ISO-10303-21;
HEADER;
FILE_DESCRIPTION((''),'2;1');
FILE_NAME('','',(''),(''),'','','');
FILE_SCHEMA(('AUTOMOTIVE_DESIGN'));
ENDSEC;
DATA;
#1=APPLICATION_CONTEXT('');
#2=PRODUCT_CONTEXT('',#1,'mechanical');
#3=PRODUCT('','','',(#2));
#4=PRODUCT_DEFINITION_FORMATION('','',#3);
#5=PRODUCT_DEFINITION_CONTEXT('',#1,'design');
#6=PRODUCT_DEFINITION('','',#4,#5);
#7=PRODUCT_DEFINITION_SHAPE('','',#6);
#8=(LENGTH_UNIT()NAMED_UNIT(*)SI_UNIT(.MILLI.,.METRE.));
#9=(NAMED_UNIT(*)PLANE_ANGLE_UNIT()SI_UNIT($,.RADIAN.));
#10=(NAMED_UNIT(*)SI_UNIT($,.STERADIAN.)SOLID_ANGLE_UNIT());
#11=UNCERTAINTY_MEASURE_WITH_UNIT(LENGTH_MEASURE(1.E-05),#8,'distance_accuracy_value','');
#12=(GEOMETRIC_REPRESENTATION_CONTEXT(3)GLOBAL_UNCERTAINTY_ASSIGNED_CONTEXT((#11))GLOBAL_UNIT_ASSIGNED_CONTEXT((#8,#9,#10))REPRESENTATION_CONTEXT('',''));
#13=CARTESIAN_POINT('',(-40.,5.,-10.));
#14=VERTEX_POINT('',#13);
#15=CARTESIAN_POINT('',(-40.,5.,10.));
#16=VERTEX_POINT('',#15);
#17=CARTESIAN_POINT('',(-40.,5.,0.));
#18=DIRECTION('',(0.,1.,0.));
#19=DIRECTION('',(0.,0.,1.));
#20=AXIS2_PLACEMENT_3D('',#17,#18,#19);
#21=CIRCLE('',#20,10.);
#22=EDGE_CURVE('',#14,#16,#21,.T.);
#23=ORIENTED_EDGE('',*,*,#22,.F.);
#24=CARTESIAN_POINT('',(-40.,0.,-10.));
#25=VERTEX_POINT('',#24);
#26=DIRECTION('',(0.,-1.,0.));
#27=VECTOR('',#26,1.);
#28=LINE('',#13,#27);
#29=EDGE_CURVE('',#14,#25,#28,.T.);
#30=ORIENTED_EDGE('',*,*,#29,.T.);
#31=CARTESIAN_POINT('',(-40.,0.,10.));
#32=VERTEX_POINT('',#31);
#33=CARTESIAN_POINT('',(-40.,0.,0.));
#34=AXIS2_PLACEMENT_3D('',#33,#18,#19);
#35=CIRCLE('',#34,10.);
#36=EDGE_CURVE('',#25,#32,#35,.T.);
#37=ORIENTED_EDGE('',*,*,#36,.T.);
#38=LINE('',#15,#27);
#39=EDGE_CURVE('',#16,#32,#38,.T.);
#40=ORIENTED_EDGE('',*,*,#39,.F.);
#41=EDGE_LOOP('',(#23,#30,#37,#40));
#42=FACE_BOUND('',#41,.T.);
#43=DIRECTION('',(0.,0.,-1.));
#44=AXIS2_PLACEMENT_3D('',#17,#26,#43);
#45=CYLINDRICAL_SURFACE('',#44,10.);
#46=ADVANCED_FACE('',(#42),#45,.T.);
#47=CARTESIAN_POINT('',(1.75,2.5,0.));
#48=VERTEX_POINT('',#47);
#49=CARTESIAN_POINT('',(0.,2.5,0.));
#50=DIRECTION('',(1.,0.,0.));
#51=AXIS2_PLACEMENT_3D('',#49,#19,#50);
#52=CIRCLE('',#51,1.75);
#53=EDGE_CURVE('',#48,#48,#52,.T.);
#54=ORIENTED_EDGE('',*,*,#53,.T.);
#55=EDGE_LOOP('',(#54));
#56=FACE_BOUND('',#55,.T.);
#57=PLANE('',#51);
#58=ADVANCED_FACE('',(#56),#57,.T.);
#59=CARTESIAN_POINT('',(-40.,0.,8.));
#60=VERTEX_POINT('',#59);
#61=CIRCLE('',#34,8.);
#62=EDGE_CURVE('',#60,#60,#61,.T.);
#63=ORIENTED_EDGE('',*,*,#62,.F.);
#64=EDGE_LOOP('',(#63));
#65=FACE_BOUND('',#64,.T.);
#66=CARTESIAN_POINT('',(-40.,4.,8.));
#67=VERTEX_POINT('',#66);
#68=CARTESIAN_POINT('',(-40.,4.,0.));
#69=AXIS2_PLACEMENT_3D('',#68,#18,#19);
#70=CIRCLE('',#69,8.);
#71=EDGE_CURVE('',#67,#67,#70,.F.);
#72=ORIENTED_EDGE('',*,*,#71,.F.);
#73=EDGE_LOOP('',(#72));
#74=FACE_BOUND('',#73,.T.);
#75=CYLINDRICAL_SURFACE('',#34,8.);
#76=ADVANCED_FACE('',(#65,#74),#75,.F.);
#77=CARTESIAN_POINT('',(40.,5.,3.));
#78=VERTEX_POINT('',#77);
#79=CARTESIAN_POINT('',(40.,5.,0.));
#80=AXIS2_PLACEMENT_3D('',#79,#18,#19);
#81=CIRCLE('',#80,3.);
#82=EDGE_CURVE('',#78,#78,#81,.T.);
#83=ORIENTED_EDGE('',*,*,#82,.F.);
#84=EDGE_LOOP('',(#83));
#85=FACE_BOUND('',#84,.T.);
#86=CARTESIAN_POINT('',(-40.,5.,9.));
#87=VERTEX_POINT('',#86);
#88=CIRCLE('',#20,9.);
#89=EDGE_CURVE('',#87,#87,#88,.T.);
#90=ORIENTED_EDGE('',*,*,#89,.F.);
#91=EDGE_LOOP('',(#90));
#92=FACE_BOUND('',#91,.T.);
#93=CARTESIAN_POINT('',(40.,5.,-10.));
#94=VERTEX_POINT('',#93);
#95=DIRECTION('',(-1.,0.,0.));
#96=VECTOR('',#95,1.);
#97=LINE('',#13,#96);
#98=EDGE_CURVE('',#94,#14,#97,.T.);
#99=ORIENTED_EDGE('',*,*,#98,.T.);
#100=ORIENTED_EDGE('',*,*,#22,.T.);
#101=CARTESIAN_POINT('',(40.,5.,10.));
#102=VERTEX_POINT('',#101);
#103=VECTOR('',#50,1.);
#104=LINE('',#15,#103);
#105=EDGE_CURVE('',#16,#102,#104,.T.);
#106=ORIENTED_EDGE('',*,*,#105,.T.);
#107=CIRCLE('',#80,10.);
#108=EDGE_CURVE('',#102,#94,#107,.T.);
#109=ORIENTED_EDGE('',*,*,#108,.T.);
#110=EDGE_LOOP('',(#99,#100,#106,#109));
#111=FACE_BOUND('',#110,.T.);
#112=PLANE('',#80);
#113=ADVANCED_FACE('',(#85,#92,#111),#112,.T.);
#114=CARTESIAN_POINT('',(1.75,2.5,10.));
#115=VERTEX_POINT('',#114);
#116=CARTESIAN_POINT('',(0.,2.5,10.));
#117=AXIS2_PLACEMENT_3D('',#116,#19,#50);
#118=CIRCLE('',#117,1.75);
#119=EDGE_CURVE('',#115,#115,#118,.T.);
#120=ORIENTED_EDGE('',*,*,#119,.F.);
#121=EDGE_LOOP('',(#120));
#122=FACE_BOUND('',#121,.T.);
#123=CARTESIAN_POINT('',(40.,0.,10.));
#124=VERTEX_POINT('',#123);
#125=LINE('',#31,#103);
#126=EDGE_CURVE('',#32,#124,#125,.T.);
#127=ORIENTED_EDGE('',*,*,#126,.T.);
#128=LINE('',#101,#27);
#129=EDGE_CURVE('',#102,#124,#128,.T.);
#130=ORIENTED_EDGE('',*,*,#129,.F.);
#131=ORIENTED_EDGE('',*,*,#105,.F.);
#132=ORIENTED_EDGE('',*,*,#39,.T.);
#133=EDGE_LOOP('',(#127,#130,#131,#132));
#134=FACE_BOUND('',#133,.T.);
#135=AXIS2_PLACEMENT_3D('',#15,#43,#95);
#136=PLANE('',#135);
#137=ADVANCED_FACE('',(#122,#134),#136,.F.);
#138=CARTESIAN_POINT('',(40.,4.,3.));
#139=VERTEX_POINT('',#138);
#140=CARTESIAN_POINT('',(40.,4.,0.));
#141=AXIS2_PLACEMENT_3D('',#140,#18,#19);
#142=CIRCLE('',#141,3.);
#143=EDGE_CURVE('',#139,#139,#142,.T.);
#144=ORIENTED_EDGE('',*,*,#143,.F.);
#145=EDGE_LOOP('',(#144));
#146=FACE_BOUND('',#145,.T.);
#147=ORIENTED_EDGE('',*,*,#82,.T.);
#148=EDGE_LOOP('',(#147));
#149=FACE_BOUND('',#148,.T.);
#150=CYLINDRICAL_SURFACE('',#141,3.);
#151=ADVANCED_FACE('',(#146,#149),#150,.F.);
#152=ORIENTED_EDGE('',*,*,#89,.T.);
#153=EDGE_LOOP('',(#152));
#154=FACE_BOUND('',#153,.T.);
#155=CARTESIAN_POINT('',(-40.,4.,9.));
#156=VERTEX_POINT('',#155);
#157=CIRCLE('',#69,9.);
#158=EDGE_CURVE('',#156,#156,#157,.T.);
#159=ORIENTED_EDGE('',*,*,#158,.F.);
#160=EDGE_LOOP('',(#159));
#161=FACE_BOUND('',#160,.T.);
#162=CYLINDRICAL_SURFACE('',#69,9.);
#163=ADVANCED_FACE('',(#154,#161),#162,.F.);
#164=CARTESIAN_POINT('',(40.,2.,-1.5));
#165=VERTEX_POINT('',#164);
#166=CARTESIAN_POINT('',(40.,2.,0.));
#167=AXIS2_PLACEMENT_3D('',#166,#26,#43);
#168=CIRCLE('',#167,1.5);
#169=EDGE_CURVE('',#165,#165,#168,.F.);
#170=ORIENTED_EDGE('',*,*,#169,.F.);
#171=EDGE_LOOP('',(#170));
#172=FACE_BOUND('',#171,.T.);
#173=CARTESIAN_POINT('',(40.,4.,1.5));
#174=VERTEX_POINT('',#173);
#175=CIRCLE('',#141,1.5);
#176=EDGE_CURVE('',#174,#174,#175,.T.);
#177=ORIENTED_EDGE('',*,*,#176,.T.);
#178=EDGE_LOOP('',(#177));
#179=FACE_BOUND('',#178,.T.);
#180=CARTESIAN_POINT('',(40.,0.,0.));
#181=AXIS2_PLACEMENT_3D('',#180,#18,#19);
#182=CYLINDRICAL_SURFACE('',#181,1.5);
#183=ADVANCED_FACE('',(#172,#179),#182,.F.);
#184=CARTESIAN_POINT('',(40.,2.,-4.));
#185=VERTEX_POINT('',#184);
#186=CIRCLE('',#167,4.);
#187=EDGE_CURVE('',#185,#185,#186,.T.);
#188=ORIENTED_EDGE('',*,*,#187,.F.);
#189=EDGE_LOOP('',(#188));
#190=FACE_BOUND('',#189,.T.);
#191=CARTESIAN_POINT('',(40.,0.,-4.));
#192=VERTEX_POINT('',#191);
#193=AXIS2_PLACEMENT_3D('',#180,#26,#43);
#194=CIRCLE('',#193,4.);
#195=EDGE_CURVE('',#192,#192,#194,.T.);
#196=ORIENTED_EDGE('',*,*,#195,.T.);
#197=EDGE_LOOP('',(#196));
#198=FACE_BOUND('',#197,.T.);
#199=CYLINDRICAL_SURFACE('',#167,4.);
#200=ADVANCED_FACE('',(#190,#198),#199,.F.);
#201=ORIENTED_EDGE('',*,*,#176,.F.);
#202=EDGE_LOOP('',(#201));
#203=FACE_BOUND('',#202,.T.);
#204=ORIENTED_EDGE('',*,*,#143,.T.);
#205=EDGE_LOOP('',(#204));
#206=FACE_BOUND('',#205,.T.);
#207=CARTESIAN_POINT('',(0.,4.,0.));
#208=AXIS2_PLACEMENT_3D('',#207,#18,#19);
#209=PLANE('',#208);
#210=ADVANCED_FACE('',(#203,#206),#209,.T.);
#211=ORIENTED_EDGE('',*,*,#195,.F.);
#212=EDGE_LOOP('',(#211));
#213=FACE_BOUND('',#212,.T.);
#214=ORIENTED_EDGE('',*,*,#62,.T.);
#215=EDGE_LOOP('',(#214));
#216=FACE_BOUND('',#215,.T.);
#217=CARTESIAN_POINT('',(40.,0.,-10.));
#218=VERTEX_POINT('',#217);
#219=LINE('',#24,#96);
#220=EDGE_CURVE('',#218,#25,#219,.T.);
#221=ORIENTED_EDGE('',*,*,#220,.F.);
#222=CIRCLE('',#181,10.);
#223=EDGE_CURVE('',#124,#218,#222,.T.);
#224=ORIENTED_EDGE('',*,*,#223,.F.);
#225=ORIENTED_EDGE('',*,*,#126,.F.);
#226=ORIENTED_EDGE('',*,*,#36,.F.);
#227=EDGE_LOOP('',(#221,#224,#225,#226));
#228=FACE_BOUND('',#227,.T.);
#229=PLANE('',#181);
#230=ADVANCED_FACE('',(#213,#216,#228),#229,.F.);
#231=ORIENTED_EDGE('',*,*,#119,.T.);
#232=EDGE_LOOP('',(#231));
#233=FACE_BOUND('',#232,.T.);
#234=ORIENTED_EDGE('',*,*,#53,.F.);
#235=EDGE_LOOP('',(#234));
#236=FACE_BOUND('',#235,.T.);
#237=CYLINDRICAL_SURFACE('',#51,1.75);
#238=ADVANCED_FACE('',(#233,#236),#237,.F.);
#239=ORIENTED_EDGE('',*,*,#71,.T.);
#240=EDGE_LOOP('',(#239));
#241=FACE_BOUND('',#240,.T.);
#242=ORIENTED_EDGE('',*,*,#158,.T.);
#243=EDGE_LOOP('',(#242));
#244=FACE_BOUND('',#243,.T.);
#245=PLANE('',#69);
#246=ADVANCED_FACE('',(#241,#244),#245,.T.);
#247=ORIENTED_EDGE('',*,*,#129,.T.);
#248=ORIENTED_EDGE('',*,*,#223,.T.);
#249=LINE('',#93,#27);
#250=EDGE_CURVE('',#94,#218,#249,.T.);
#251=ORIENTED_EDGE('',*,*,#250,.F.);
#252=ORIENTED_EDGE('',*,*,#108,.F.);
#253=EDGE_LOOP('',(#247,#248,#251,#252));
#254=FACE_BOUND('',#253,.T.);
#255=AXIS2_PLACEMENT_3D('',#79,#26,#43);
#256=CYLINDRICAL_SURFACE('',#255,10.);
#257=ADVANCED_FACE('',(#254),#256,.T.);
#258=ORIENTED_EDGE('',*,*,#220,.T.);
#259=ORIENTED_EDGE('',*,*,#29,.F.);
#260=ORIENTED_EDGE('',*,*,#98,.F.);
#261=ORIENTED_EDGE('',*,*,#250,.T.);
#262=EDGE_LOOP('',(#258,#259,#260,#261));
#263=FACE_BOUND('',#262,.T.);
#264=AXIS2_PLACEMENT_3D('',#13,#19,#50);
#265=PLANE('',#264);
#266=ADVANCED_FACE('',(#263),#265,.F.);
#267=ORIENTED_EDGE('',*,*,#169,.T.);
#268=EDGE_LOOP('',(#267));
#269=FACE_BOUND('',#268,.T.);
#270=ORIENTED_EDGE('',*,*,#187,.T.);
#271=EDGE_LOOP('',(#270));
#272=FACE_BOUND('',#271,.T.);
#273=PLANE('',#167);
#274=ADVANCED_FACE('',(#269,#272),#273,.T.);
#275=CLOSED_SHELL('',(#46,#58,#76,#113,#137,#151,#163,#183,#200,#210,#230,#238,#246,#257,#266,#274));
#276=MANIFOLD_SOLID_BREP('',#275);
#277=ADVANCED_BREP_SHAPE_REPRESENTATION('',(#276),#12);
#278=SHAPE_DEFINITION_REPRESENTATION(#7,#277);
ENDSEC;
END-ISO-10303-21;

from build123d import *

# Parameters (mm, degrees)
BOSS_EXTRUDE1_DEPTH = 5
CUT_EXTRUDE1_DEPTH  = 52.23475383
SKETCH3_R           = 9
CUT_EXTRUDE2_DEPTH  = 1
SKETCH4_R           = 3
CUT_EXTRUDE3_DEPTH  = 1
SKETCH5_R           = 1.5
CUT_EXTRUDE4_DEPTH  = 52.14684741
SKETCH6_R           = 4
CUT_EXTRUDE5_DEPTH  = 2
SKETCH8_R           = 1.75
CUT_EXTRUDE7_DEPTH  = 10


with BuildPart() as part:
    # Sketch1 → Boss-Extrude1 (new body)
    with BuildSketch(Plane(origin=(0, 0, 0), x_dir=(1, 0, 0), z_dir=(0, 1, 0))):
        with BuildLine():
            Line((-40, 10), (40, 10))
            ThreePointArc((40, 10), (50, 0), (40, -10))
            Line((40, -10), (-40, -10))
            ThreePointArc((-40, -10), (-50, 0), (-40, 10))
        make_face()
    extrude(amount=BOSS_EXTRUDE1_DEPTH)

    # Sketch2 → Cut-Extrude1 (cut, through all)
    with BuildSketch(Plane(origin=(0, 5, 0), x_dir=(1, 0, 0), z_dir=(0, 1, 0))):
        with BuildLine():
            ThreePointArc((-32, 0), (-34.343145751, 5.656854249), (-40, 8))
            Line((-40, 8), (-40, -8))
            ThreePointArc((-40, -8), (-34.343145751, -5.656854249), (-32, 0))
        make_face()
        with BuildLine():
            Line((-40, -8), (-40, 8))
            ThreePointArc((-40, 8), (-48, 0), (-40, -8))
        make_face()
    extrude(amount=-CUT_EXTRUDE1_DEPTH, mode=Mode.SUBTRACT)

    # Sketch3 → Cut-Extrude2 (cut)
    with BuildSketch(Plane(origin=(0, 5, 0), x_dir=(1, 0, 0), z_dir=(0, 1, 0))):
        with Locations(Location((-40, 0, 0), (0, 0, 270))):
            Circle(SKETCH3_R)
    extrude(amount=-CUT_EXTRUDE2_DEPTH, mode=Mode.SUBTRACT)

    # Sketch4 → Cut-Extrude3 (cut)
    with BuildSketch(Plane(origin=(0, 5, 0), x_dir=(1, 0, 0), z_dir=(0, 1, 0))):
        with Locations(Location((40, 0, 0), (0, 0, 270))):
            Circle(SKETCH4_R)
    extrude(amount=-CUT_EXTRUDE3_DEPTH, mode=Mode.SUBTRACT)

    # Sketch5 → Cut-Extrude4 (cut, through all)
    with BuildSketch(Plane(origin=(0, 4, 0), x_dir=(1, 0, 0), z_dir=(0, 1, 0))):
        with Locations(Location((40, 0, 0), (0, 0, 270))):
            Circle(SKETCH5_R)
    extrude(amount=-CUT_EXTRUDE4_DEPTH, mode=Mode.SUBTRACT)

    # Sketch6 → Cut-Extrude5 (cut)
    with BuildSketch(Plane.XZ):
        with Locations(Location((40, 0, 0), (0, 0, 270))):
            Circle(SKETCH6_R)
    extrude(amount=-CUT_EXTRUDE5_DEPTH, mode=Mode.SUBTRACT)

    # Sketch8 → Cut-Extrude7 (cut)
    with BuildSketch(Plane.XY.offset(10)):
        with Locations((0, 2.5)):
            Circle(SKETCH8_R)
    extrude(amount=-CUT_EXTRUDE7_DEPTH, mode=Mode.SUBTRACT)


solid = part.part
